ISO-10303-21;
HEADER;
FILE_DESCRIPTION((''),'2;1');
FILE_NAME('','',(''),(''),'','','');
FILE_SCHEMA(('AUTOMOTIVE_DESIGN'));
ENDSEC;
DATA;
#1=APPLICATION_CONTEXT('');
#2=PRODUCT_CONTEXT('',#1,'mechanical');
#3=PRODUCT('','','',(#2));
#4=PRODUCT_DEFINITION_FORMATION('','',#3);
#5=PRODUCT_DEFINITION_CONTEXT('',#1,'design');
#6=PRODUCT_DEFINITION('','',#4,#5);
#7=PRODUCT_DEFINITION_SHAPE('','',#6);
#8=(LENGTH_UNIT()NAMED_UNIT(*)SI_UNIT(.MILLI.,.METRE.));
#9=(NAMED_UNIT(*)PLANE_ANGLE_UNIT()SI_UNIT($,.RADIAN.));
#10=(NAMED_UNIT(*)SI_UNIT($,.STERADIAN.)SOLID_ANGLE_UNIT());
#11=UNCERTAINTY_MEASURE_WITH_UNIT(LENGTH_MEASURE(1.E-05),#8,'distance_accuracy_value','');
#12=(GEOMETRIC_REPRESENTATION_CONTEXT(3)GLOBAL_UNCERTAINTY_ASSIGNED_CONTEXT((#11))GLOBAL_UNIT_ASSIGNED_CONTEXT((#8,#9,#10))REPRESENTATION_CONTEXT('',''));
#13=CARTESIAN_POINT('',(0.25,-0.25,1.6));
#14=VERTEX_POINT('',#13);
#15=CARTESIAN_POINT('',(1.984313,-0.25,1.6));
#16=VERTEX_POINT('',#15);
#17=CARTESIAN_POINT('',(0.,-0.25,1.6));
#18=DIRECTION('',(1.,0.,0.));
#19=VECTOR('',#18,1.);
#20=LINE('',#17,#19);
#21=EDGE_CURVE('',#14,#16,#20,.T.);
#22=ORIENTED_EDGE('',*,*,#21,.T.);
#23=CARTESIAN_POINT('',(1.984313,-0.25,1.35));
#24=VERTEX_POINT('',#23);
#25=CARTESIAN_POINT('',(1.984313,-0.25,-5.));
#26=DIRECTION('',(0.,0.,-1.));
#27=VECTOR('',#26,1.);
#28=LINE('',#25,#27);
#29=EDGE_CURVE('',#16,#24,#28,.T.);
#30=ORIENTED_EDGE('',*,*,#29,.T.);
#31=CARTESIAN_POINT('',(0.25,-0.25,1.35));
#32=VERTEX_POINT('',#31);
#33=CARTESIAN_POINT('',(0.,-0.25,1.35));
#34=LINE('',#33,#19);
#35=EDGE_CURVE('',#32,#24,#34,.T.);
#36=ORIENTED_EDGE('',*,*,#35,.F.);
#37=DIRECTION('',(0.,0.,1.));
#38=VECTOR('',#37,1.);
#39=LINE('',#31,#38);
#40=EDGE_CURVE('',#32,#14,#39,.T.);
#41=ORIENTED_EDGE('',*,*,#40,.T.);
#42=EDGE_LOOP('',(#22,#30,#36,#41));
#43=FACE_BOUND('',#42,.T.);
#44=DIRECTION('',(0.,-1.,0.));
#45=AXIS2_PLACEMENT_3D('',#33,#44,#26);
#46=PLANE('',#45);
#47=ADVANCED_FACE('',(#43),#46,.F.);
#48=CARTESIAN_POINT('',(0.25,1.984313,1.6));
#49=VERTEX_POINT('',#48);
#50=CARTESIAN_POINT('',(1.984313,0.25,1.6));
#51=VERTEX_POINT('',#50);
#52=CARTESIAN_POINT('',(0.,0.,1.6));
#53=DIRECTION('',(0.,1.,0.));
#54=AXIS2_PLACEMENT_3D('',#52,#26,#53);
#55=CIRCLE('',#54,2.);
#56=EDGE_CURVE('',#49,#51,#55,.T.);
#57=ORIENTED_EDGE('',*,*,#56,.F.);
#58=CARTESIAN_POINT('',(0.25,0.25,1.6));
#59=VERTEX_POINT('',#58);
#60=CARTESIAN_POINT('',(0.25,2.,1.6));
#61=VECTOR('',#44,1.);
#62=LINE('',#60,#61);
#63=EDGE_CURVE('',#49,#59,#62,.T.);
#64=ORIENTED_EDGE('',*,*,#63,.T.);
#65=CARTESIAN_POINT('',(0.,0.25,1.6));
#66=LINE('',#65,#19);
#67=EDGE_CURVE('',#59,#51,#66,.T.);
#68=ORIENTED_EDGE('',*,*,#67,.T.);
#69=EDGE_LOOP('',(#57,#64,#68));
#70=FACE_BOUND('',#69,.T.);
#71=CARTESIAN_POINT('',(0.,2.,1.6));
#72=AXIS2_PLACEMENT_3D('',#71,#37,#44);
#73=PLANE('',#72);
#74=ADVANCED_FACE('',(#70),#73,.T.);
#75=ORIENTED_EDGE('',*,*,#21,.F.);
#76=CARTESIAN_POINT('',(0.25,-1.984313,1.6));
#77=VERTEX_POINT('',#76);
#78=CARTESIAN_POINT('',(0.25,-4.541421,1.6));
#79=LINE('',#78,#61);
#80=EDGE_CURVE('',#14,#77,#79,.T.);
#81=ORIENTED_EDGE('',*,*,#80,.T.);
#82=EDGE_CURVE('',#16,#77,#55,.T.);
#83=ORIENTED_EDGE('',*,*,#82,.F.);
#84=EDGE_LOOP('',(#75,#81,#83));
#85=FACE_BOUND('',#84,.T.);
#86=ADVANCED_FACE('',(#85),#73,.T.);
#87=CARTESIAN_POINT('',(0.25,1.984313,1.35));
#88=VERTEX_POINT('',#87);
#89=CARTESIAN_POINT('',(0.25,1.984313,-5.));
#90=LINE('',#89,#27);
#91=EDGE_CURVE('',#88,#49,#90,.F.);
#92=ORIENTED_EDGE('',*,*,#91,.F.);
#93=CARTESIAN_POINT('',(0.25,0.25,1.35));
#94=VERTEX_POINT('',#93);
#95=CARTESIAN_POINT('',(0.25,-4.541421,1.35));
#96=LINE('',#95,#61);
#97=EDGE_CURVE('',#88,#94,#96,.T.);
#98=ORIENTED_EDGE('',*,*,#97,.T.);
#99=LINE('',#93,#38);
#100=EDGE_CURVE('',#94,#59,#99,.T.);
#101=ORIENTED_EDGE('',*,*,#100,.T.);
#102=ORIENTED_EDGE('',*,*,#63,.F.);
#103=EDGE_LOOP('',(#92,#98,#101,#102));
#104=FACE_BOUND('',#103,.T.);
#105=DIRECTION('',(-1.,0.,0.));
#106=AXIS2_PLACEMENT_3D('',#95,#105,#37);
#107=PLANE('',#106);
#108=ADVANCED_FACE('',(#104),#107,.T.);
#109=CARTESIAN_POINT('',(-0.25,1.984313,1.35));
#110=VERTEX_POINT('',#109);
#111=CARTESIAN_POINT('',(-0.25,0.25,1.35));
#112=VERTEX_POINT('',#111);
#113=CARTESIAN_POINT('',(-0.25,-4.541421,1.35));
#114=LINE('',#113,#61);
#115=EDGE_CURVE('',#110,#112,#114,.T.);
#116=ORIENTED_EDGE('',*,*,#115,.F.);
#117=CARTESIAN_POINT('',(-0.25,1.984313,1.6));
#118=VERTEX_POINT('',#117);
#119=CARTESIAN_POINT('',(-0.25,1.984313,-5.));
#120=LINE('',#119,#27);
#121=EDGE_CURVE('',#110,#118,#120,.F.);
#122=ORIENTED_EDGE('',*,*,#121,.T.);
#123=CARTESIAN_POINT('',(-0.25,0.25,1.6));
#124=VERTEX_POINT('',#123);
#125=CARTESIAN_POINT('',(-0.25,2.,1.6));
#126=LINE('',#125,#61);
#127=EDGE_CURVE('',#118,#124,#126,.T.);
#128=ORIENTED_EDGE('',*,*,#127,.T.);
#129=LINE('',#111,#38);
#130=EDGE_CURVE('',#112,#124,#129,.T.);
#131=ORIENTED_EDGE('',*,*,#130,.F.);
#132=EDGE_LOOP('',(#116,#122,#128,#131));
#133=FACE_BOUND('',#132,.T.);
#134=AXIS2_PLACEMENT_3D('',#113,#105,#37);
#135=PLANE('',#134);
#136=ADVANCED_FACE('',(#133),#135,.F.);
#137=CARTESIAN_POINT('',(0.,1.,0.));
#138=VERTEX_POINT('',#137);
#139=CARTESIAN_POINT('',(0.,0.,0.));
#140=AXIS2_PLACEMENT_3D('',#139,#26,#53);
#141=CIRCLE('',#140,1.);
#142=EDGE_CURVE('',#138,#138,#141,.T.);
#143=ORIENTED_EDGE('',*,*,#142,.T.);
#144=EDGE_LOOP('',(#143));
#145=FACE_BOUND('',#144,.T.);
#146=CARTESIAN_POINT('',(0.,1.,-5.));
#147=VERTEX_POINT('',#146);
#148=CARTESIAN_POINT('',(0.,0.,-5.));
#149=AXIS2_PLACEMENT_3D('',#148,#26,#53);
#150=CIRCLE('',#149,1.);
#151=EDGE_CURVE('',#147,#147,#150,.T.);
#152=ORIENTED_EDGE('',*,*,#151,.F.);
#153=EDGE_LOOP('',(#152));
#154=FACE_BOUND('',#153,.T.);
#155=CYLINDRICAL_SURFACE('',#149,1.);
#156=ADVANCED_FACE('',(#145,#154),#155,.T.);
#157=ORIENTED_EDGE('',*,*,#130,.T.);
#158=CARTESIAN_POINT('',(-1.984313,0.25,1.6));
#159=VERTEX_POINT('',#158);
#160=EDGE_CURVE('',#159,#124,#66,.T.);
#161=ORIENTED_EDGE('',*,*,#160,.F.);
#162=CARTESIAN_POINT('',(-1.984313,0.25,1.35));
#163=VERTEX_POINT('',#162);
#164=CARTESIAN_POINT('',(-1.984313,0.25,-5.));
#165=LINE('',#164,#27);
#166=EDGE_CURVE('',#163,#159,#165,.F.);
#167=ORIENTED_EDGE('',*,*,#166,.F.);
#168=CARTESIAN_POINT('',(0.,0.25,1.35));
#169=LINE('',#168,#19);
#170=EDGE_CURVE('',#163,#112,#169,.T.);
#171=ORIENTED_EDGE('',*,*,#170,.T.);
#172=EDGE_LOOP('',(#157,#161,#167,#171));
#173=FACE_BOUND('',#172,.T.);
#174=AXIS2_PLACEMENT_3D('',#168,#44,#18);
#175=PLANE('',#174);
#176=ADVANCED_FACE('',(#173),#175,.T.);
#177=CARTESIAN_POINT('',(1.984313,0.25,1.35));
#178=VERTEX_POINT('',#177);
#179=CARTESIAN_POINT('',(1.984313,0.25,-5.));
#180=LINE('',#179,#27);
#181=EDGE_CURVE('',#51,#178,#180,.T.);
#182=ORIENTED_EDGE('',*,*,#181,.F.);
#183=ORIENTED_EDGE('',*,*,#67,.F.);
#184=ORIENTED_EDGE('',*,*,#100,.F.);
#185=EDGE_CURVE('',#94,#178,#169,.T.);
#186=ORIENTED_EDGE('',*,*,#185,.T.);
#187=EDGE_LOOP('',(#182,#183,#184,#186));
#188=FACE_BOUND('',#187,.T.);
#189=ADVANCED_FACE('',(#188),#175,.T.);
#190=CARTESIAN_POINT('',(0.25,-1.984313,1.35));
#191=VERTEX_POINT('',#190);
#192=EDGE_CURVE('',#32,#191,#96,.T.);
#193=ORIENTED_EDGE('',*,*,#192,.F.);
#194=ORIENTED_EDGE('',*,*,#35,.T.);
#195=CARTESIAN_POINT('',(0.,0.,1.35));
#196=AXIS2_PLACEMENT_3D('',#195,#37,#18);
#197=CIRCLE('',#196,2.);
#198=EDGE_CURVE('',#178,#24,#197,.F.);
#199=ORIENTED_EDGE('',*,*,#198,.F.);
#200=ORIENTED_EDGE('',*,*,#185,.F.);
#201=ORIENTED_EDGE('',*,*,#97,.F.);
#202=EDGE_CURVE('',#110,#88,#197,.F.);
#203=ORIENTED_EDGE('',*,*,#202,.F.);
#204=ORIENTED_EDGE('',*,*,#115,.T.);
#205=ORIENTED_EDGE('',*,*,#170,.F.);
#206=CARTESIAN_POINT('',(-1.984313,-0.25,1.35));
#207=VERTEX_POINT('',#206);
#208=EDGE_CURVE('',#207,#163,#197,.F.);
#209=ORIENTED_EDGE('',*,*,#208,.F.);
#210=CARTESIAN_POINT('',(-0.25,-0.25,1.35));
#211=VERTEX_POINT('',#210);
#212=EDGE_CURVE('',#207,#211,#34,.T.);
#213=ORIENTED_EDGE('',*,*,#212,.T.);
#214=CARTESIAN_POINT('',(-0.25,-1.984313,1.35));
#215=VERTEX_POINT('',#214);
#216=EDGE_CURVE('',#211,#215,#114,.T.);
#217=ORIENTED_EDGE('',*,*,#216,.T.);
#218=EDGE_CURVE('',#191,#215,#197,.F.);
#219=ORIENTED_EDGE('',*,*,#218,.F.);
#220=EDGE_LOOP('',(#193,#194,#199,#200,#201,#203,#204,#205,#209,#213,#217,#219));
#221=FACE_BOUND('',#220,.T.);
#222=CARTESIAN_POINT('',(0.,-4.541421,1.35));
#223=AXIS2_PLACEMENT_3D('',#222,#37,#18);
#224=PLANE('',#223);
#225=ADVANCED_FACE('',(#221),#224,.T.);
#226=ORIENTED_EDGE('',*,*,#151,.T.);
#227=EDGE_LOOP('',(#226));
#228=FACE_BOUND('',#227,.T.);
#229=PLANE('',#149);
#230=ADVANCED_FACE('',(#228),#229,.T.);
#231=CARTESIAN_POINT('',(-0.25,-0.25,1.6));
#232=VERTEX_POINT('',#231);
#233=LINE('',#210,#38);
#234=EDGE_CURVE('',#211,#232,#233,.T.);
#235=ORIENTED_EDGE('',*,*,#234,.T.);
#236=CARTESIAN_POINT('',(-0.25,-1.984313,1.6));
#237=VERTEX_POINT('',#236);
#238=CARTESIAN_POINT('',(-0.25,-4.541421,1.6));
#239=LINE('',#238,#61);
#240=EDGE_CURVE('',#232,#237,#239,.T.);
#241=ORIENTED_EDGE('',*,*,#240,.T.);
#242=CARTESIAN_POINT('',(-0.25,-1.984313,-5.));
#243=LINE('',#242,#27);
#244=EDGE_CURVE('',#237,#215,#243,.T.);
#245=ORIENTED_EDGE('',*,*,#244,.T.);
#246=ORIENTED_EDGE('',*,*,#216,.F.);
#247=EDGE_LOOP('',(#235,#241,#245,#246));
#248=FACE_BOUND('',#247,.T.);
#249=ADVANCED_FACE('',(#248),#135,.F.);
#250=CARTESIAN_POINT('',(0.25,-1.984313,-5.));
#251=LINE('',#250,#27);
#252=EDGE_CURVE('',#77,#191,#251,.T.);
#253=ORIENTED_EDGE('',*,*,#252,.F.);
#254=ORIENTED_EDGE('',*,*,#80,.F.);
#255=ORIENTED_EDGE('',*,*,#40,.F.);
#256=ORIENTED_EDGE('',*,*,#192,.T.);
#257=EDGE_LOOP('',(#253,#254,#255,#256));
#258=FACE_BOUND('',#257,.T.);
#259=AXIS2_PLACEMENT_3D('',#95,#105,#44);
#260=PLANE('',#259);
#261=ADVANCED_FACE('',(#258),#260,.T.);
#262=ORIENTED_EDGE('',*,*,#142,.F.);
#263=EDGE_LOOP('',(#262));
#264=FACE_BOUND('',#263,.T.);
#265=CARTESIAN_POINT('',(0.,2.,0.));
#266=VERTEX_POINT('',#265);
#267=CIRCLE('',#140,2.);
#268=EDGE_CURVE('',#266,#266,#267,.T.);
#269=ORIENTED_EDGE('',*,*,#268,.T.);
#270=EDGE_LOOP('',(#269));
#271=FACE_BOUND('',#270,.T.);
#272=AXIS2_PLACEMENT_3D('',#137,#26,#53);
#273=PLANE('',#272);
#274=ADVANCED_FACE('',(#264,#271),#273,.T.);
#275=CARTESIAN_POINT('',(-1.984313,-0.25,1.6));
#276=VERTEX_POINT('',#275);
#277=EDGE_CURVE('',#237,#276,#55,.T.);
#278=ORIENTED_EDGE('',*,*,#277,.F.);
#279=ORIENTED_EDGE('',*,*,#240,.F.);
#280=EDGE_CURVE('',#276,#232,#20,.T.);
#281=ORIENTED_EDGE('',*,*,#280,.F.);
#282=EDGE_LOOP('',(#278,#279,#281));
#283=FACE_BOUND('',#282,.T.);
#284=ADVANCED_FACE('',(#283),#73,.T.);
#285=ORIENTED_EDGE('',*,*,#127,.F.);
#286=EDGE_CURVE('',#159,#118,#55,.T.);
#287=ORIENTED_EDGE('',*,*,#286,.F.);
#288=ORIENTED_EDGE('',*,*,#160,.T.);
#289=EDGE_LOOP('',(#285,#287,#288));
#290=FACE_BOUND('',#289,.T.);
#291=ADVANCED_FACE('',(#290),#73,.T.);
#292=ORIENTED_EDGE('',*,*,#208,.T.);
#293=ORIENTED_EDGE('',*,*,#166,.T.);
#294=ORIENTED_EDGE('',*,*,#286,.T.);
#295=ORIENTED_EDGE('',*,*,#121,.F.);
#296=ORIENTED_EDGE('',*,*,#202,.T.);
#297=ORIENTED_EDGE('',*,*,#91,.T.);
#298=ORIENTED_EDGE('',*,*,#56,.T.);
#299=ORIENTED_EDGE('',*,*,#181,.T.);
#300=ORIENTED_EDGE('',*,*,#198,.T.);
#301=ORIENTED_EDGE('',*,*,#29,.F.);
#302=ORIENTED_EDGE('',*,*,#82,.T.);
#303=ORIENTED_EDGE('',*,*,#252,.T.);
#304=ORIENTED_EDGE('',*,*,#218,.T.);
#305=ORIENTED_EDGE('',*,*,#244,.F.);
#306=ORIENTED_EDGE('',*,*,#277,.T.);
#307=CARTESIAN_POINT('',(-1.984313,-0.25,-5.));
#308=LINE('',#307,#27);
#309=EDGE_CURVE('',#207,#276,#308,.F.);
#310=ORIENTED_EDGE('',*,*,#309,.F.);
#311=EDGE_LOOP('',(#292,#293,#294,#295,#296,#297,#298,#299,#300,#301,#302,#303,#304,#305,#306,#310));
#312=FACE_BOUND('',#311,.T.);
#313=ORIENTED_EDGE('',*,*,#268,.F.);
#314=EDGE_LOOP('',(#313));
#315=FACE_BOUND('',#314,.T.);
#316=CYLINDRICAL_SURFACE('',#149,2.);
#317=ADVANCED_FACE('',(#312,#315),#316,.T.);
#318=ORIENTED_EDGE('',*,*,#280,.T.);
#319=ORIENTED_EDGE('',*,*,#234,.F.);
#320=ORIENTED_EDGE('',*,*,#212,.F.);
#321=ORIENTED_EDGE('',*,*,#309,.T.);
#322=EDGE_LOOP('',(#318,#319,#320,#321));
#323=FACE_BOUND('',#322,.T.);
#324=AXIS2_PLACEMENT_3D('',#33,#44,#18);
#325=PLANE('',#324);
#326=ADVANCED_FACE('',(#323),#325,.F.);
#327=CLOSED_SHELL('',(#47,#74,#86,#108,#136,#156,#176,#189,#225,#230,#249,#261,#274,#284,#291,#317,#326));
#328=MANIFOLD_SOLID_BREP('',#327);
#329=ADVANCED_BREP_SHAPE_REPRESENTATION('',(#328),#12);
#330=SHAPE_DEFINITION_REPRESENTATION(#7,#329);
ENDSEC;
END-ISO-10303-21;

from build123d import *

# Parameters (mm, degrees)
CUT_EXTRUDE1_DEPTH = 0.25


with BuildPart() as part:
    # Sketch1 → Revolve1 (revolve)
    with BuildSketch(Plane(origin=(0, 0, 0), x_dir=(0, 0, -1), z_dir=(1, 0, 0))):
        Polygon((0, 1), (0, 2), (-1.6, 2), (-1.6, 0), (5, 0), (5, 1), align=None)
    revolve(axis=Axis((0, 0, -5), (0, 0, 1)))

    # Sketch2 → Cut-Extrude1 (cut)
    with BuildSketch(Plane.XY.offset(1.6)):
        Polygon((-2, -0.25), (-0.25, -0.25), (-0.25, -2), (0, -2.25), (0.25, -2), (0.25, -0.25), (2, -0.25), (2.364373172, -0.114373172), (2, 0.25), (0.25, 0.25), (0.25, 2), (0, 2.480239465), (-0.25, 2), (-0.25, 0.25), (-2, 0.25), (-2.25, 0), align=None)
    extrude(amount=-CUT_EXTRUDE1_DEPTH, mode=Mode.SUBTRACT)


solid = part.part
